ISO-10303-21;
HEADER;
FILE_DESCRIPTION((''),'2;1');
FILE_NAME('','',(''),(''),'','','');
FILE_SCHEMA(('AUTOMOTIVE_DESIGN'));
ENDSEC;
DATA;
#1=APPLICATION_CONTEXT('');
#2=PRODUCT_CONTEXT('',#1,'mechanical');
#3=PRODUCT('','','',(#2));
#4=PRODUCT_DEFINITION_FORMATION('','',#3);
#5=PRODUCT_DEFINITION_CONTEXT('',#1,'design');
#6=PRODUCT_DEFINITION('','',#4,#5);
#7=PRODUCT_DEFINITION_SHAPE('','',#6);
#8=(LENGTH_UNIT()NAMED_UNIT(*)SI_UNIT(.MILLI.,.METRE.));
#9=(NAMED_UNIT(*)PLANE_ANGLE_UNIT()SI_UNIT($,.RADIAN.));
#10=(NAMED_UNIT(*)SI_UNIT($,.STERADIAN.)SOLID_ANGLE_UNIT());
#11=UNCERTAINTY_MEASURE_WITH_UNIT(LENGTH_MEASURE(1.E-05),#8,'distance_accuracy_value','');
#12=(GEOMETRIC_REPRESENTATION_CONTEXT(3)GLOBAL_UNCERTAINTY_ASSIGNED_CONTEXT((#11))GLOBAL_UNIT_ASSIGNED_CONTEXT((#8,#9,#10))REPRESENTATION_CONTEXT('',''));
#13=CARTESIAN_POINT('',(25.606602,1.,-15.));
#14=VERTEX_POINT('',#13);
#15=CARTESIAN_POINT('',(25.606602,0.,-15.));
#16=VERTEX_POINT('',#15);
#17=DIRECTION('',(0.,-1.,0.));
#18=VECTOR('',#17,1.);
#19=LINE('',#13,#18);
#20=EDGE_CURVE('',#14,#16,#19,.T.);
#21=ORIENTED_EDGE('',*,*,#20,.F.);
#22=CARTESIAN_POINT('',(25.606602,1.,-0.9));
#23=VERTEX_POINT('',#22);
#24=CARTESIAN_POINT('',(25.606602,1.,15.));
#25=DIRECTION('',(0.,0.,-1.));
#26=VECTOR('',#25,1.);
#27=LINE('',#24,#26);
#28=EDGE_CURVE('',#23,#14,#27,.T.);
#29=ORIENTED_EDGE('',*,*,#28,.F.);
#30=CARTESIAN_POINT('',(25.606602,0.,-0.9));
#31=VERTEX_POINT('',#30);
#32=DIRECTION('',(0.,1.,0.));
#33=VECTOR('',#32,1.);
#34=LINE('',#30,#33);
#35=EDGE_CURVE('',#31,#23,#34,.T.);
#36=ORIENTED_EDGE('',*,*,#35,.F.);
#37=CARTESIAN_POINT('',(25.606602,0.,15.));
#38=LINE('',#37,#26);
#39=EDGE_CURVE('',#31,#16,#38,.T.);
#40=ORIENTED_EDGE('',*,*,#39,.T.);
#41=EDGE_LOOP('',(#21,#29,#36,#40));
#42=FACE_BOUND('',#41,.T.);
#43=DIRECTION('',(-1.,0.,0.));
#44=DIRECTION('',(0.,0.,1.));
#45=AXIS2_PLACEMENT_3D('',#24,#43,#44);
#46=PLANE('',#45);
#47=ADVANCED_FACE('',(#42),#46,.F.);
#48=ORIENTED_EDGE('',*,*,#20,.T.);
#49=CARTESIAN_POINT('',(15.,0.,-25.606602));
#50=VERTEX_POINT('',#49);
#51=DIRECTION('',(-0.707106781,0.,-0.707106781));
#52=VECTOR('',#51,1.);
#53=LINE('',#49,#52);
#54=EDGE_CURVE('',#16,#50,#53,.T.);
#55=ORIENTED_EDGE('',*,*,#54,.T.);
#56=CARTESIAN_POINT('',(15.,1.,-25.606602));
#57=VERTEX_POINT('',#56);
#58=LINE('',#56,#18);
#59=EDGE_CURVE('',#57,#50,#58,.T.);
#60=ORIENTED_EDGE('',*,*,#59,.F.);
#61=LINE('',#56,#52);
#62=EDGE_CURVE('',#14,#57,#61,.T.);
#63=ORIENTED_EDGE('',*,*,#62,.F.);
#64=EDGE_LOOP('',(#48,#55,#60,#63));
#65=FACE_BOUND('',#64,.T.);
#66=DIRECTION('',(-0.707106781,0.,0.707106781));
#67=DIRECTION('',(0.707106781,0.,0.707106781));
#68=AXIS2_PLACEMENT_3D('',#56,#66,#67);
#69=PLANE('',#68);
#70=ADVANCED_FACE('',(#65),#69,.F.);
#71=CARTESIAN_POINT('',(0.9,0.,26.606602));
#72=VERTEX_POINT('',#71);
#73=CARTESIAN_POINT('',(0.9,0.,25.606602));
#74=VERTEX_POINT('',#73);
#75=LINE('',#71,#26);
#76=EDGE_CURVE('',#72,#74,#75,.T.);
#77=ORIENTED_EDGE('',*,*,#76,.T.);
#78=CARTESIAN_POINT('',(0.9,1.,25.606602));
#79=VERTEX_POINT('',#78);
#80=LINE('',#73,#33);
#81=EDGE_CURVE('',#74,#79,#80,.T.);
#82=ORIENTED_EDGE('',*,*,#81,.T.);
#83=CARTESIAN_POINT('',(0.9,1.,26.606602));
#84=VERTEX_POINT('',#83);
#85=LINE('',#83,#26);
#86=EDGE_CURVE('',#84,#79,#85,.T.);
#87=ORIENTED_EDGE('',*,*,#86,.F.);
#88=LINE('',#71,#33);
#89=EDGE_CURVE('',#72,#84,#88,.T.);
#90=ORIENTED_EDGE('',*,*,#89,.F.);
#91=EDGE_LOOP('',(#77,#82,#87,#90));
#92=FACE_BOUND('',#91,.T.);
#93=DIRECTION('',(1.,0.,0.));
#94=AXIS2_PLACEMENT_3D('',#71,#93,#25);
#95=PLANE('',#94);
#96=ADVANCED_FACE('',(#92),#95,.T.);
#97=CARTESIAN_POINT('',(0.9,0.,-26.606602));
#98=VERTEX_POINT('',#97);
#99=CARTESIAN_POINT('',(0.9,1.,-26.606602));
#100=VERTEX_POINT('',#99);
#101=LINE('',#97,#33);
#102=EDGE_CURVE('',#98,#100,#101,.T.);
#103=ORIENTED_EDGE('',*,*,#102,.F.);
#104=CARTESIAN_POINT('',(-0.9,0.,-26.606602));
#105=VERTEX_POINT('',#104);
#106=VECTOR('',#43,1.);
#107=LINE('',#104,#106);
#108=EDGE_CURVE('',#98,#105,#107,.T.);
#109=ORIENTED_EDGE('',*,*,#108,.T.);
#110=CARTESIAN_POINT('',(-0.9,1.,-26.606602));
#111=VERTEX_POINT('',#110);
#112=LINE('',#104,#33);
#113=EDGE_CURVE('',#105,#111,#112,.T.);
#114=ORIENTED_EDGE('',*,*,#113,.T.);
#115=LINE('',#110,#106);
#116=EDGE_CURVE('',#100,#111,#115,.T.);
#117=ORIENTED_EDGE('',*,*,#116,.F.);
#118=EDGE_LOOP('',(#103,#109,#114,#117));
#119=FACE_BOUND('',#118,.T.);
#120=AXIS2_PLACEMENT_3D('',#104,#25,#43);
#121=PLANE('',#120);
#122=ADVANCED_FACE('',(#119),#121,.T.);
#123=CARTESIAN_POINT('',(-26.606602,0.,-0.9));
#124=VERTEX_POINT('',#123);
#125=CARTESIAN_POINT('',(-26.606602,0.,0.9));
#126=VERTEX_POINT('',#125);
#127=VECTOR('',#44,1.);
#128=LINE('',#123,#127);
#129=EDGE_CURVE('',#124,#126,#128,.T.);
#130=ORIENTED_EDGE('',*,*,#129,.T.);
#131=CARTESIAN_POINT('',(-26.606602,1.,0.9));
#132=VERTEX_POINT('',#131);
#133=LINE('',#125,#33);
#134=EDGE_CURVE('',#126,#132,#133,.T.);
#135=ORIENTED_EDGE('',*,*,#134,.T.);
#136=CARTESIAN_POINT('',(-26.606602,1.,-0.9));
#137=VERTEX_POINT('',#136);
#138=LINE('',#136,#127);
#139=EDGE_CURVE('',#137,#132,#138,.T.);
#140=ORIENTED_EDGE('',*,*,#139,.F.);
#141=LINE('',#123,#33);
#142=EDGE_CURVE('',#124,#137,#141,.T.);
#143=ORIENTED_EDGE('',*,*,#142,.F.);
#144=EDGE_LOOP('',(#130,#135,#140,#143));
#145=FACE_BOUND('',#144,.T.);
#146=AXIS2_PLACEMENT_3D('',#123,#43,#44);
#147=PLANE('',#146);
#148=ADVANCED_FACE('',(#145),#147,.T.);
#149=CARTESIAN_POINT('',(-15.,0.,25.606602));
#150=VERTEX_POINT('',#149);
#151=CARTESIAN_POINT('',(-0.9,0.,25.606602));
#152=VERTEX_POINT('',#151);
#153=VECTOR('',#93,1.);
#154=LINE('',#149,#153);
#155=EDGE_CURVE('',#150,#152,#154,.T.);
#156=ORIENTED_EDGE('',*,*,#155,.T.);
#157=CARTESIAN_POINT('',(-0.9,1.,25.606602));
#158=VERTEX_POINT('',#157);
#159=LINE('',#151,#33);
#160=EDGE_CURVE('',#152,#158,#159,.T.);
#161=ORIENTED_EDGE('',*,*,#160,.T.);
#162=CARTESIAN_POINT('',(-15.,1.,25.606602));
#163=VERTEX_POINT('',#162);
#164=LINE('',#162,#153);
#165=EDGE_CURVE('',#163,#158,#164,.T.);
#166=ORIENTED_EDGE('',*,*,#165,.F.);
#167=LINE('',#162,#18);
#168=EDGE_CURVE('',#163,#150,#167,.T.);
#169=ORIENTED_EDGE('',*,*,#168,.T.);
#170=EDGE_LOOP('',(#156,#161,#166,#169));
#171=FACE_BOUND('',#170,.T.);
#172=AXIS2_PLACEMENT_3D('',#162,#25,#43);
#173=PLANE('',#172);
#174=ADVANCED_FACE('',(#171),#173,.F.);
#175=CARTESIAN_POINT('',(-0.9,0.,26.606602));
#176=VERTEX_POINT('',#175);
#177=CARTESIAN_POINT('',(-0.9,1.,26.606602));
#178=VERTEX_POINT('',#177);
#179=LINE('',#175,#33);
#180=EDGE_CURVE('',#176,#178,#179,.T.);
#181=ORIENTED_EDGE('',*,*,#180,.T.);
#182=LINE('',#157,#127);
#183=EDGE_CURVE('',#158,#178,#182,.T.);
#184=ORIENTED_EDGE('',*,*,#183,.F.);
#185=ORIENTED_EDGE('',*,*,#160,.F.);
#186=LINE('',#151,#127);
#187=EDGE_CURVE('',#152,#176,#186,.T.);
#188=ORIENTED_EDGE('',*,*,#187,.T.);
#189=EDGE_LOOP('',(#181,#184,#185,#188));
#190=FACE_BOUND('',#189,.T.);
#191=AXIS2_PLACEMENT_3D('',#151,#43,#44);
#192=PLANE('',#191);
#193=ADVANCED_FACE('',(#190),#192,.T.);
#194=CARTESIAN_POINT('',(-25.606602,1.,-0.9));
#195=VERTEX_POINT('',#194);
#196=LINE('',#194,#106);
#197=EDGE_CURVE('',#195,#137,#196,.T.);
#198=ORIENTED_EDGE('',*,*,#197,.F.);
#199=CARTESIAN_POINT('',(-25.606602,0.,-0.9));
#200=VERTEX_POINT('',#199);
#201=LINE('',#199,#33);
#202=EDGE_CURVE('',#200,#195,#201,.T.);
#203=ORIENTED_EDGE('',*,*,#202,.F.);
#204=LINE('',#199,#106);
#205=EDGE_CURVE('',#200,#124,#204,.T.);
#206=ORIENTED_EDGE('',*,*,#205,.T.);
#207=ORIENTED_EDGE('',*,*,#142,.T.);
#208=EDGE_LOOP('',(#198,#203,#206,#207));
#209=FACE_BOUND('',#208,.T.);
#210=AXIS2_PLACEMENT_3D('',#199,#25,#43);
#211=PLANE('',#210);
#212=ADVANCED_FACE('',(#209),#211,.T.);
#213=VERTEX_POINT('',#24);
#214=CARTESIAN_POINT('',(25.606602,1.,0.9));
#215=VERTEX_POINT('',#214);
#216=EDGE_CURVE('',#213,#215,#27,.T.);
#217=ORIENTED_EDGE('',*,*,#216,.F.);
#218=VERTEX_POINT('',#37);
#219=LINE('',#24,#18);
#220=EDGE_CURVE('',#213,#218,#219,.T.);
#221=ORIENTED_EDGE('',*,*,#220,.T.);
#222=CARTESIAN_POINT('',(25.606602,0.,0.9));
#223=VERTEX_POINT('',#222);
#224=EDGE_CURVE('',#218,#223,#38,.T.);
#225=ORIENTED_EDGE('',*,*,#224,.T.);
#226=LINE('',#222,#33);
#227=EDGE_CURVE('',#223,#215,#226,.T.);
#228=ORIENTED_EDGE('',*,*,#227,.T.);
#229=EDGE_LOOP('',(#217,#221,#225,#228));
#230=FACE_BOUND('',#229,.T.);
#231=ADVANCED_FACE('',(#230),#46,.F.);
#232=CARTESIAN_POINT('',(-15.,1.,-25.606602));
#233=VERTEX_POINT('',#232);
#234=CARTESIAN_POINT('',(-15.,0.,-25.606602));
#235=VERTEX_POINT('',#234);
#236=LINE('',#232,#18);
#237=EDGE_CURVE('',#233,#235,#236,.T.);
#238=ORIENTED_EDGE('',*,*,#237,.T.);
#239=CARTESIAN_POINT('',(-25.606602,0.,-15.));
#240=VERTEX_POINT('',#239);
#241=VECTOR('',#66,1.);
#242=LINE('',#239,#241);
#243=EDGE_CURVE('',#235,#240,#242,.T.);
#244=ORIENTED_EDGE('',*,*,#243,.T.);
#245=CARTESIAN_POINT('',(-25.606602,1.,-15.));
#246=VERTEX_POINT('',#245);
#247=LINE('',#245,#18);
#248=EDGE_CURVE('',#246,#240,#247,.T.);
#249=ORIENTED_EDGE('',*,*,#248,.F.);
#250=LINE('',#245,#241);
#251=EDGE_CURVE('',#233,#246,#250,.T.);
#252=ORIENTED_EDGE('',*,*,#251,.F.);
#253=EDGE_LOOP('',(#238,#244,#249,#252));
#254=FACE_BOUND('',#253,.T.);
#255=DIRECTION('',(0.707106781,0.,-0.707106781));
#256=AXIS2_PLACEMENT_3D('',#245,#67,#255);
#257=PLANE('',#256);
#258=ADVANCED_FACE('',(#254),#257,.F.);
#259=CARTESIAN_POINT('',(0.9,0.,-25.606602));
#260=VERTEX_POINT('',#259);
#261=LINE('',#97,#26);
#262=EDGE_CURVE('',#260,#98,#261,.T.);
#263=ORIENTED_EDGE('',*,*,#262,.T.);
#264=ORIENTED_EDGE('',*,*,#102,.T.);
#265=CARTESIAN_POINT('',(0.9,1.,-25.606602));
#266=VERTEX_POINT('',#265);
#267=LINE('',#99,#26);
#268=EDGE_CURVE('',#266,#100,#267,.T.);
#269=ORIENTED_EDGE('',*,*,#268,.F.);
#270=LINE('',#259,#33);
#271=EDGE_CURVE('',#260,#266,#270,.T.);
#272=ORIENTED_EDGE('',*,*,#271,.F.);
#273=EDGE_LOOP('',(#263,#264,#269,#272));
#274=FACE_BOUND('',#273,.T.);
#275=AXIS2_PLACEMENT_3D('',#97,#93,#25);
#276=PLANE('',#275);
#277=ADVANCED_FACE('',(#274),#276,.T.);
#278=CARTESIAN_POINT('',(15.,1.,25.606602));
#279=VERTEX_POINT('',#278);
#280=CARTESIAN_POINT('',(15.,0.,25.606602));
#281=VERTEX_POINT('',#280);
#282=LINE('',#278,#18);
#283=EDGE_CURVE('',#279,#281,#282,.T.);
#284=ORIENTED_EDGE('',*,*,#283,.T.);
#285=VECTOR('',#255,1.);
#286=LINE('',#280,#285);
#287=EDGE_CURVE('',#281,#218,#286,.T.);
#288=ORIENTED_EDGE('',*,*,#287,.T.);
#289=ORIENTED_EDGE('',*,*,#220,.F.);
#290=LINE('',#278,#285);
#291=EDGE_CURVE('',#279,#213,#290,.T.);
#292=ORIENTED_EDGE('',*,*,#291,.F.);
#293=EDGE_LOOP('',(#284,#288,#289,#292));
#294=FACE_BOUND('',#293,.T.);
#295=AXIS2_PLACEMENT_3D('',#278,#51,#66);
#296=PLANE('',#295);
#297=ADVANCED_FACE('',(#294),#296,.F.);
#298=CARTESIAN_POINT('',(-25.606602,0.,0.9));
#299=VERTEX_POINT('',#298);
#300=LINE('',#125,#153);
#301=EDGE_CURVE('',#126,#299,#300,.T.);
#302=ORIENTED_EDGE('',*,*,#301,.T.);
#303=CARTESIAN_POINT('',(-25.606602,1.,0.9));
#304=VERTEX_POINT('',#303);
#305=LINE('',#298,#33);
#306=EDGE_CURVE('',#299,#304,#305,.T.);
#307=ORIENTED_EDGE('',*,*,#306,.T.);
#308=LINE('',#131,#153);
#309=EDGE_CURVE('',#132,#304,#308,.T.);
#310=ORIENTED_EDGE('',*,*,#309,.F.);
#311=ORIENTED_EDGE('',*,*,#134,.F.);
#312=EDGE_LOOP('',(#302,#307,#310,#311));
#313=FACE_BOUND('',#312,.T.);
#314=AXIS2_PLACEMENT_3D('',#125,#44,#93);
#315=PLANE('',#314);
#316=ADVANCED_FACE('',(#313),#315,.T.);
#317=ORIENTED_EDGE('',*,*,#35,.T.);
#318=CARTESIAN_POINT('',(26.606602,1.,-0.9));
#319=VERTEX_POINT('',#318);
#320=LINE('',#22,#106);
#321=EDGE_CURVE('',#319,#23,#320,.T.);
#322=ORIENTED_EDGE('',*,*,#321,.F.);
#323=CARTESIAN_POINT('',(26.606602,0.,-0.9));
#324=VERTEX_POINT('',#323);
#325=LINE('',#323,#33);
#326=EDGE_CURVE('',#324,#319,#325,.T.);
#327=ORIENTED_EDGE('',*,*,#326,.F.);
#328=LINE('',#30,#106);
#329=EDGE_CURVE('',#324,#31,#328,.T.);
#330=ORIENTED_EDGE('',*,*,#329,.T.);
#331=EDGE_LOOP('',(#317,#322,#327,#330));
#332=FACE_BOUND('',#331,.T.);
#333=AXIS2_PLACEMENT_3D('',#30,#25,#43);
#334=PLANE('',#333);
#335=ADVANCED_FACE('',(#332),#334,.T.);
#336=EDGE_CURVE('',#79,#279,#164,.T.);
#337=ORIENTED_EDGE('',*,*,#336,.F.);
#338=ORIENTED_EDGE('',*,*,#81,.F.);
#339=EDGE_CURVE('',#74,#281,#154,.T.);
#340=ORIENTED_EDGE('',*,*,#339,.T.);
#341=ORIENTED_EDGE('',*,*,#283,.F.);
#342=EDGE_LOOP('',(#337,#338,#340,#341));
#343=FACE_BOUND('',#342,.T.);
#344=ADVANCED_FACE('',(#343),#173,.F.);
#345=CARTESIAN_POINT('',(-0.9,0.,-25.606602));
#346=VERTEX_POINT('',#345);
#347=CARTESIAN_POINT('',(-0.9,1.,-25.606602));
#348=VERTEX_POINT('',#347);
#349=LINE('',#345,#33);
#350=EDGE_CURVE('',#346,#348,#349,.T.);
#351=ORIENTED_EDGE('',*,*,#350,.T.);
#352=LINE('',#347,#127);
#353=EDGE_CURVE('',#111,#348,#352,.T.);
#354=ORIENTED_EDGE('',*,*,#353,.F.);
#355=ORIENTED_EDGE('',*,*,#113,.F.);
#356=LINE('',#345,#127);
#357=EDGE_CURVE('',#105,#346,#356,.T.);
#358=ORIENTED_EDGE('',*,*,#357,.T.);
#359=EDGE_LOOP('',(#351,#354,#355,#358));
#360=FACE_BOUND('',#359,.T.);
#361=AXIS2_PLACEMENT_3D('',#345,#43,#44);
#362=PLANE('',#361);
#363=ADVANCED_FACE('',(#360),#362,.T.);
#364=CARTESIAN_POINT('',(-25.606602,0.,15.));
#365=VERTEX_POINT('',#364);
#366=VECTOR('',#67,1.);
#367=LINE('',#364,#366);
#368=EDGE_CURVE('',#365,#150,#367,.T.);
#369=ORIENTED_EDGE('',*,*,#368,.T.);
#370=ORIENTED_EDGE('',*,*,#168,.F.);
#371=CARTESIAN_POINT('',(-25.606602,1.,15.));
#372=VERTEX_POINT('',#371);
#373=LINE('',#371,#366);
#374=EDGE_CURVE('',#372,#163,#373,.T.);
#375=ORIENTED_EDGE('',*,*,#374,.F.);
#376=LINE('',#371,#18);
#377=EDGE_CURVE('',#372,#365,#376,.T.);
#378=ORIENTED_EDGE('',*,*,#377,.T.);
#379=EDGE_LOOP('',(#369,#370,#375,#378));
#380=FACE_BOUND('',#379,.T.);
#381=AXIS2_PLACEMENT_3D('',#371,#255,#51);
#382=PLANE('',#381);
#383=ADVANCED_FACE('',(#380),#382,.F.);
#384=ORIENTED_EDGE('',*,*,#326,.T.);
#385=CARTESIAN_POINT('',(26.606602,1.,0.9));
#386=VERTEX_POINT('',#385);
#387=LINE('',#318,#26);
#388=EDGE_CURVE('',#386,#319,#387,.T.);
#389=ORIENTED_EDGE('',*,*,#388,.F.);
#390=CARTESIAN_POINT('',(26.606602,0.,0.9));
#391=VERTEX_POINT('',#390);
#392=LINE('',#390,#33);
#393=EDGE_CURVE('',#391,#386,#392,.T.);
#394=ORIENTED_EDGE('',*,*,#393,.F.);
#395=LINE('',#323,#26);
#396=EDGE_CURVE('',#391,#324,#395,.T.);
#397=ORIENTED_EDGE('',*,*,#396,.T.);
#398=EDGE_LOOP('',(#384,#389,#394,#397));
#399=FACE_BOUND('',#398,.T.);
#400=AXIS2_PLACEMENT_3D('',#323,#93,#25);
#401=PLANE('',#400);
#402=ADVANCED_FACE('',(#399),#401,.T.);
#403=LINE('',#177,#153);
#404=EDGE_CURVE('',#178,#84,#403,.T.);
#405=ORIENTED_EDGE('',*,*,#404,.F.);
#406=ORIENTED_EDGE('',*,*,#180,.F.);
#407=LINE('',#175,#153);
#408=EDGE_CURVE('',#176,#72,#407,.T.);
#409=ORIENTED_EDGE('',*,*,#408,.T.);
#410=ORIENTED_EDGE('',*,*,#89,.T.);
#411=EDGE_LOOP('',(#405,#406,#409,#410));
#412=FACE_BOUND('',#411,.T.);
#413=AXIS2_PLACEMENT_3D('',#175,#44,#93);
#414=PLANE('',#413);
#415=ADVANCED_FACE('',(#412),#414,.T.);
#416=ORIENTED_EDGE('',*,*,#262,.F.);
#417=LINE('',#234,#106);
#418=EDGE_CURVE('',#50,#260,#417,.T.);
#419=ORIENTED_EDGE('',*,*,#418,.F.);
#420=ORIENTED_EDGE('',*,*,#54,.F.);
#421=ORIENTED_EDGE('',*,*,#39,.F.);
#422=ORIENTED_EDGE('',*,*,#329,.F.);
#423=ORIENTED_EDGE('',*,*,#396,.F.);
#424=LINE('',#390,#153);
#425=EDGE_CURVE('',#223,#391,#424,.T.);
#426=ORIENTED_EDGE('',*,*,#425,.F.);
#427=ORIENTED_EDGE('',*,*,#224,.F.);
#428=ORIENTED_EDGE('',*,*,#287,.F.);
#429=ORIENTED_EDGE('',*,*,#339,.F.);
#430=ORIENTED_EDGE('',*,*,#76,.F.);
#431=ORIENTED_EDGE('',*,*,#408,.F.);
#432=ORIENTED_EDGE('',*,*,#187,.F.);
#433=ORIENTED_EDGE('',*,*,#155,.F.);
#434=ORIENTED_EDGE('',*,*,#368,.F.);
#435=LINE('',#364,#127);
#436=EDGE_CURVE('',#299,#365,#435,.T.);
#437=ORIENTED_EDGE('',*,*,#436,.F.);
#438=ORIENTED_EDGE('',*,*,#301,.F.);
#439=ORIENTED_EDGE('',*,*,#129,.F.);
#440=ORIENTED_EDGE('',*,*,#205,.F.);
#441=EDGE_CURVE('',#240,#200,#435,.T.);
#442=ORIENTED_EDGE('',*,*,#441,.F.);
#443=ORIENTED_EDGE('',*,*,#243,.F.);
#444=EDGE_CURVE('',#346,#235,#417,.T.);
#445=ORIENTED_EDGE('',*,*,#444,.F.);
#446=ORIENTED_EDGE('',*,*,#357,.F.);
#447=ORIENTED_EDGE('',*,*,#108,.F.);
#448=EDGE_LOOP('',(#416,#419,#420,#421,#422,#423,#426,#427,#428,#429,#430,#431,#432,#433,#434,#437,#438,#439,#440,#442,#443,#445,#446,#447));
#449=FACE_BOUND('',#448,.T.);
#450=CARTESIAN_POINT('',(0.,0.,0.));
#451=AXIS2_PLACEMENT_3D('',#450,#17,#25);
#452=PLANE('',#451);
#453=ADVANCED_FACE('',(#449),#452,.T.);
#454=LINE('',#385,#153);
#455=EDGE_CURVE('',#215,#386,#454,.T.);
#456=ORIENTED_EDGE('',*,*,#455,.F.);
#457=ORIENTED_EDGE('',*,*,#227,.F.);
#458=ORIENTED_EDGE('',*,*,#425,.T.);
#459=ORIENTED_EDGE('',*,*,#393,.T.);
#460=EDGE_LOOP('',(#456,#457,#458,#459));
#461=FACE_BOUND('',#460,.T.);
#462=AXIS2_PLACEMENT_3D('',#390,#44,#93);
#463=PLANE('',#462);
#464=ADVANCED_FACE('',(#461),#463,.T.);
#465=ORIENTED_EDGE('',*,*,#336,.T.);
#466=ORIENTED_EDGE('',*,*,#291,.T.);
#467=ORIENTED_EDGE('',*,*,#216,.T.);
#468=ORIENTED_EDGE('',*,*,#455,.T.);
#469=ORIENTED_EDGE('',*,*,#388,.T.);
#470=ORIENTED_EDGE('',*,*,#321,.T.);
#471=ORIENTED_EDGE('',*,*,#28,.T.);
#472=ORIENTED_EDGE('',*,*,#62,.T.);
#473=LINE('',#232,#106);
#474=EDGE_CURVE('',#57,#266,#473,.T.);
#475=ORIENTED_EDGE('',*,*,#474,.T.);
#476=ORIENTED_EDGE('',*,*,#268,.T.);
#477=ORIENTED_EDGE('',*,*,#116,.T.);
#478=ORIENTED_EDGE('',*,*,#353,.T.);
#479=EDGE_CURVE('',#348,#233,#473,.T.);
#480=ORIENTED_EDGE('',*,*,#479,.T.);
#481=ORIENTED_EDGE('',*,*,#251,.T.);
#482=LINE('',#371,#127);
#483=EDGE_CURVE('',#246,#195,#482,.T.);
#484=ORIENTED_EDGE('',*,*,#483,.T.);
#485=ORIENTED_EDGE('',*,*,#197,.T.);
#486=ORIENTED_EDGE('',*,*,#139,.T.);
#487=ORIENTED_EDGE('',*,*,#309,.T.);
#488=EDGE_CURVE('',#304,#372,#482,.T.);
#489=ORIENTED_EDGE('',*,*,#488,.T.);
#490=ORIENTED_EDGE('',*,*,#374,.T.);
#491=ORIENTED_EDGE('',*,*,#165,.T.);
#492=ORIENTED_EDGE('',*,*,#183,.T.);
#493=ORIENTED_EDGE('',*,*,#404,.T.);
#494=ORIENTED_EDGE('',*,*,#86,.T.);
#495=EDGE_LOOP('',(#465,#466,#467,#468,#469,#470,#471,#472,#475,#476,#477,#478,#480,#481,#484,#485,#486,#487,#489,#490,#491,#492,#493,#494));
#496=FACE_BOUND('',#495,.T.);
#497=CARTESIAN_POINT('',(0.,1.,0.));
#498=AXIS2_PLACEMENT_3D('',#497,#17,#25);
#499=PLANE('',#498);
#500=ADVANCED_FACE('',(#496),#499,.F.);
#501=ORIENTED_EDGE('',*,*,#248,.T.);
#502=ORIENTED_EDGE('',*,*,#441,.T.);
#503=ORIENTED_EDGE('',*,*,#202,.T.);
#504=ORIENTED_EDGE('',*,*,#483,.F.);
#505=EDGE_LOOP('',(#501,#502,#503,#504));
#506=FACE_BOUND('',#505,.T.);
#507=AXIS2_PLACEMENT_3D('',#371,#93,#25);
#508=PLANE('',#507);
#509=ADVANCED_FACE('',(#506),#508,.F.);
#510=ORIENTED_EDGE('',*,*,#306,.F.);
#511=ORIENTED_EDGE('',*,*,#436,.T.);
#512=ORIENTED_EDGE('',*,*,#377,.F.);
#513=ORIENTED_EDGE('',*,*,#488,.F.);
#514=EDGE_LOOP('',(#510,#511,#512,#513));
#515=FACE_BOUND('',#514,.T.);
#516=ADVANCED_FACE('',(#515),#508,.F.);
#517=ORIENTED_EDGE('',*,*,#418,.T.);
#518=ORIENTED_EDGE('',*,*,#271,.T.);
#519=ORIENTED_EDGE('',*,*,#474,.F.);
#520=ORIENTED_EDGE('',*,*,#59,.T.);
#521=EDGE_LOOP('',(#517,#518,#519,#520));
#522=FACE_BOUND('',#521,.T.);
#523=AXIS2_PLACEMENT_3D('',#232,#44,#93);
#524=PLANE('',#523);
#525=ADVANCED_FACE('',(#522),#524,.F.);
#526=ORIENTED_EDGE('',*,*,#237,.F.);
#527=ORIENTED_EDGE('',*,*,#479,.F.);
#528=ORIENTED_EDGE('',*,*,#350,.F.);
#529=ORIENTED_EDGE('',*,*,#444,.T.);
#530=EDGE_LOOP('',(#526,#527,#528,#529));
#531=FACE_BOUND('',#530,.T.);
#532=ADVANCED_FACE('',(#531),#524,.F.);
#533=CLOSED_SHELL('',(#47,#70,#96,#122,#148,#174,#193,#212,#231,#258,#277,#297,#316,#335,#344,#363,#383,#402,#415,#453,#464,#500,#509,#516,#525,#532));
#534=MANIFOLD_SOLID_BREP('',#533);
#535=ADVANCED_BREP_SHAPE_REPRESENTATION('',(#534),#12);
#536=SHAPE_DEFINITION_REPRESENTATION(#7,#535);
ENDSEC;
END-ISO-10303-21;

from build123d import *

# Parameters (mm, degrees)
BOSS_EXTRUDE1_DEPTH = 1
SKETCH2_W           = 1
SKETCH2_H           = 1.8
SKETCH2_W_2         = 1.8
SKETCH2_H_2         = 1
BOSS_EXTRUDE2_DEPTH = 1


with BuildPart() as part:
    # Sketch1 → Boss-Extrude1 (new body)
    with BuildSketch(Plane(origin=(0, 0, 0), x_dir=(1, 0, 0), z_dir=(0, 1, 0))):
        Polygon((-25.606601718, 15), (-15, 25.606601718), (15, 25.606601718), (25.606601718, 15), (25.606601718, -15), (15, -25.606601718), (-15, -25.606601718), (-25.606601718, -15), align=None)
    extrude(amount=BOSS_EXTRUDE1_DEPTH)

    # Sketch2 → Boss-Extrude2 (add)
    with BuildSketch(Plane(origin=(0, 1, 0), x_dir=(1, 0, 0), z_dir=(0, 1, 0))):
        with Locations((-26.106601718, 0)):
            Rectangle(SKETCH2_W, SKETCH2_H)
        with Locations((0, 26.106601718)):
            Rectangle(SKETCH2_W_2, SKETCH2_H_2)
        with Locations((0, -26.106601718)):
            Rectangle(SKETCH2_W_2, SKETCH2_H_2)
        with Locations((26.106601718, 0)):
            Rectangle(SKETCH2_W, SKETCH2_H)
    extrude(amount=-BOSS_EXTRUDE2_DEPTH)


solid = part.part
